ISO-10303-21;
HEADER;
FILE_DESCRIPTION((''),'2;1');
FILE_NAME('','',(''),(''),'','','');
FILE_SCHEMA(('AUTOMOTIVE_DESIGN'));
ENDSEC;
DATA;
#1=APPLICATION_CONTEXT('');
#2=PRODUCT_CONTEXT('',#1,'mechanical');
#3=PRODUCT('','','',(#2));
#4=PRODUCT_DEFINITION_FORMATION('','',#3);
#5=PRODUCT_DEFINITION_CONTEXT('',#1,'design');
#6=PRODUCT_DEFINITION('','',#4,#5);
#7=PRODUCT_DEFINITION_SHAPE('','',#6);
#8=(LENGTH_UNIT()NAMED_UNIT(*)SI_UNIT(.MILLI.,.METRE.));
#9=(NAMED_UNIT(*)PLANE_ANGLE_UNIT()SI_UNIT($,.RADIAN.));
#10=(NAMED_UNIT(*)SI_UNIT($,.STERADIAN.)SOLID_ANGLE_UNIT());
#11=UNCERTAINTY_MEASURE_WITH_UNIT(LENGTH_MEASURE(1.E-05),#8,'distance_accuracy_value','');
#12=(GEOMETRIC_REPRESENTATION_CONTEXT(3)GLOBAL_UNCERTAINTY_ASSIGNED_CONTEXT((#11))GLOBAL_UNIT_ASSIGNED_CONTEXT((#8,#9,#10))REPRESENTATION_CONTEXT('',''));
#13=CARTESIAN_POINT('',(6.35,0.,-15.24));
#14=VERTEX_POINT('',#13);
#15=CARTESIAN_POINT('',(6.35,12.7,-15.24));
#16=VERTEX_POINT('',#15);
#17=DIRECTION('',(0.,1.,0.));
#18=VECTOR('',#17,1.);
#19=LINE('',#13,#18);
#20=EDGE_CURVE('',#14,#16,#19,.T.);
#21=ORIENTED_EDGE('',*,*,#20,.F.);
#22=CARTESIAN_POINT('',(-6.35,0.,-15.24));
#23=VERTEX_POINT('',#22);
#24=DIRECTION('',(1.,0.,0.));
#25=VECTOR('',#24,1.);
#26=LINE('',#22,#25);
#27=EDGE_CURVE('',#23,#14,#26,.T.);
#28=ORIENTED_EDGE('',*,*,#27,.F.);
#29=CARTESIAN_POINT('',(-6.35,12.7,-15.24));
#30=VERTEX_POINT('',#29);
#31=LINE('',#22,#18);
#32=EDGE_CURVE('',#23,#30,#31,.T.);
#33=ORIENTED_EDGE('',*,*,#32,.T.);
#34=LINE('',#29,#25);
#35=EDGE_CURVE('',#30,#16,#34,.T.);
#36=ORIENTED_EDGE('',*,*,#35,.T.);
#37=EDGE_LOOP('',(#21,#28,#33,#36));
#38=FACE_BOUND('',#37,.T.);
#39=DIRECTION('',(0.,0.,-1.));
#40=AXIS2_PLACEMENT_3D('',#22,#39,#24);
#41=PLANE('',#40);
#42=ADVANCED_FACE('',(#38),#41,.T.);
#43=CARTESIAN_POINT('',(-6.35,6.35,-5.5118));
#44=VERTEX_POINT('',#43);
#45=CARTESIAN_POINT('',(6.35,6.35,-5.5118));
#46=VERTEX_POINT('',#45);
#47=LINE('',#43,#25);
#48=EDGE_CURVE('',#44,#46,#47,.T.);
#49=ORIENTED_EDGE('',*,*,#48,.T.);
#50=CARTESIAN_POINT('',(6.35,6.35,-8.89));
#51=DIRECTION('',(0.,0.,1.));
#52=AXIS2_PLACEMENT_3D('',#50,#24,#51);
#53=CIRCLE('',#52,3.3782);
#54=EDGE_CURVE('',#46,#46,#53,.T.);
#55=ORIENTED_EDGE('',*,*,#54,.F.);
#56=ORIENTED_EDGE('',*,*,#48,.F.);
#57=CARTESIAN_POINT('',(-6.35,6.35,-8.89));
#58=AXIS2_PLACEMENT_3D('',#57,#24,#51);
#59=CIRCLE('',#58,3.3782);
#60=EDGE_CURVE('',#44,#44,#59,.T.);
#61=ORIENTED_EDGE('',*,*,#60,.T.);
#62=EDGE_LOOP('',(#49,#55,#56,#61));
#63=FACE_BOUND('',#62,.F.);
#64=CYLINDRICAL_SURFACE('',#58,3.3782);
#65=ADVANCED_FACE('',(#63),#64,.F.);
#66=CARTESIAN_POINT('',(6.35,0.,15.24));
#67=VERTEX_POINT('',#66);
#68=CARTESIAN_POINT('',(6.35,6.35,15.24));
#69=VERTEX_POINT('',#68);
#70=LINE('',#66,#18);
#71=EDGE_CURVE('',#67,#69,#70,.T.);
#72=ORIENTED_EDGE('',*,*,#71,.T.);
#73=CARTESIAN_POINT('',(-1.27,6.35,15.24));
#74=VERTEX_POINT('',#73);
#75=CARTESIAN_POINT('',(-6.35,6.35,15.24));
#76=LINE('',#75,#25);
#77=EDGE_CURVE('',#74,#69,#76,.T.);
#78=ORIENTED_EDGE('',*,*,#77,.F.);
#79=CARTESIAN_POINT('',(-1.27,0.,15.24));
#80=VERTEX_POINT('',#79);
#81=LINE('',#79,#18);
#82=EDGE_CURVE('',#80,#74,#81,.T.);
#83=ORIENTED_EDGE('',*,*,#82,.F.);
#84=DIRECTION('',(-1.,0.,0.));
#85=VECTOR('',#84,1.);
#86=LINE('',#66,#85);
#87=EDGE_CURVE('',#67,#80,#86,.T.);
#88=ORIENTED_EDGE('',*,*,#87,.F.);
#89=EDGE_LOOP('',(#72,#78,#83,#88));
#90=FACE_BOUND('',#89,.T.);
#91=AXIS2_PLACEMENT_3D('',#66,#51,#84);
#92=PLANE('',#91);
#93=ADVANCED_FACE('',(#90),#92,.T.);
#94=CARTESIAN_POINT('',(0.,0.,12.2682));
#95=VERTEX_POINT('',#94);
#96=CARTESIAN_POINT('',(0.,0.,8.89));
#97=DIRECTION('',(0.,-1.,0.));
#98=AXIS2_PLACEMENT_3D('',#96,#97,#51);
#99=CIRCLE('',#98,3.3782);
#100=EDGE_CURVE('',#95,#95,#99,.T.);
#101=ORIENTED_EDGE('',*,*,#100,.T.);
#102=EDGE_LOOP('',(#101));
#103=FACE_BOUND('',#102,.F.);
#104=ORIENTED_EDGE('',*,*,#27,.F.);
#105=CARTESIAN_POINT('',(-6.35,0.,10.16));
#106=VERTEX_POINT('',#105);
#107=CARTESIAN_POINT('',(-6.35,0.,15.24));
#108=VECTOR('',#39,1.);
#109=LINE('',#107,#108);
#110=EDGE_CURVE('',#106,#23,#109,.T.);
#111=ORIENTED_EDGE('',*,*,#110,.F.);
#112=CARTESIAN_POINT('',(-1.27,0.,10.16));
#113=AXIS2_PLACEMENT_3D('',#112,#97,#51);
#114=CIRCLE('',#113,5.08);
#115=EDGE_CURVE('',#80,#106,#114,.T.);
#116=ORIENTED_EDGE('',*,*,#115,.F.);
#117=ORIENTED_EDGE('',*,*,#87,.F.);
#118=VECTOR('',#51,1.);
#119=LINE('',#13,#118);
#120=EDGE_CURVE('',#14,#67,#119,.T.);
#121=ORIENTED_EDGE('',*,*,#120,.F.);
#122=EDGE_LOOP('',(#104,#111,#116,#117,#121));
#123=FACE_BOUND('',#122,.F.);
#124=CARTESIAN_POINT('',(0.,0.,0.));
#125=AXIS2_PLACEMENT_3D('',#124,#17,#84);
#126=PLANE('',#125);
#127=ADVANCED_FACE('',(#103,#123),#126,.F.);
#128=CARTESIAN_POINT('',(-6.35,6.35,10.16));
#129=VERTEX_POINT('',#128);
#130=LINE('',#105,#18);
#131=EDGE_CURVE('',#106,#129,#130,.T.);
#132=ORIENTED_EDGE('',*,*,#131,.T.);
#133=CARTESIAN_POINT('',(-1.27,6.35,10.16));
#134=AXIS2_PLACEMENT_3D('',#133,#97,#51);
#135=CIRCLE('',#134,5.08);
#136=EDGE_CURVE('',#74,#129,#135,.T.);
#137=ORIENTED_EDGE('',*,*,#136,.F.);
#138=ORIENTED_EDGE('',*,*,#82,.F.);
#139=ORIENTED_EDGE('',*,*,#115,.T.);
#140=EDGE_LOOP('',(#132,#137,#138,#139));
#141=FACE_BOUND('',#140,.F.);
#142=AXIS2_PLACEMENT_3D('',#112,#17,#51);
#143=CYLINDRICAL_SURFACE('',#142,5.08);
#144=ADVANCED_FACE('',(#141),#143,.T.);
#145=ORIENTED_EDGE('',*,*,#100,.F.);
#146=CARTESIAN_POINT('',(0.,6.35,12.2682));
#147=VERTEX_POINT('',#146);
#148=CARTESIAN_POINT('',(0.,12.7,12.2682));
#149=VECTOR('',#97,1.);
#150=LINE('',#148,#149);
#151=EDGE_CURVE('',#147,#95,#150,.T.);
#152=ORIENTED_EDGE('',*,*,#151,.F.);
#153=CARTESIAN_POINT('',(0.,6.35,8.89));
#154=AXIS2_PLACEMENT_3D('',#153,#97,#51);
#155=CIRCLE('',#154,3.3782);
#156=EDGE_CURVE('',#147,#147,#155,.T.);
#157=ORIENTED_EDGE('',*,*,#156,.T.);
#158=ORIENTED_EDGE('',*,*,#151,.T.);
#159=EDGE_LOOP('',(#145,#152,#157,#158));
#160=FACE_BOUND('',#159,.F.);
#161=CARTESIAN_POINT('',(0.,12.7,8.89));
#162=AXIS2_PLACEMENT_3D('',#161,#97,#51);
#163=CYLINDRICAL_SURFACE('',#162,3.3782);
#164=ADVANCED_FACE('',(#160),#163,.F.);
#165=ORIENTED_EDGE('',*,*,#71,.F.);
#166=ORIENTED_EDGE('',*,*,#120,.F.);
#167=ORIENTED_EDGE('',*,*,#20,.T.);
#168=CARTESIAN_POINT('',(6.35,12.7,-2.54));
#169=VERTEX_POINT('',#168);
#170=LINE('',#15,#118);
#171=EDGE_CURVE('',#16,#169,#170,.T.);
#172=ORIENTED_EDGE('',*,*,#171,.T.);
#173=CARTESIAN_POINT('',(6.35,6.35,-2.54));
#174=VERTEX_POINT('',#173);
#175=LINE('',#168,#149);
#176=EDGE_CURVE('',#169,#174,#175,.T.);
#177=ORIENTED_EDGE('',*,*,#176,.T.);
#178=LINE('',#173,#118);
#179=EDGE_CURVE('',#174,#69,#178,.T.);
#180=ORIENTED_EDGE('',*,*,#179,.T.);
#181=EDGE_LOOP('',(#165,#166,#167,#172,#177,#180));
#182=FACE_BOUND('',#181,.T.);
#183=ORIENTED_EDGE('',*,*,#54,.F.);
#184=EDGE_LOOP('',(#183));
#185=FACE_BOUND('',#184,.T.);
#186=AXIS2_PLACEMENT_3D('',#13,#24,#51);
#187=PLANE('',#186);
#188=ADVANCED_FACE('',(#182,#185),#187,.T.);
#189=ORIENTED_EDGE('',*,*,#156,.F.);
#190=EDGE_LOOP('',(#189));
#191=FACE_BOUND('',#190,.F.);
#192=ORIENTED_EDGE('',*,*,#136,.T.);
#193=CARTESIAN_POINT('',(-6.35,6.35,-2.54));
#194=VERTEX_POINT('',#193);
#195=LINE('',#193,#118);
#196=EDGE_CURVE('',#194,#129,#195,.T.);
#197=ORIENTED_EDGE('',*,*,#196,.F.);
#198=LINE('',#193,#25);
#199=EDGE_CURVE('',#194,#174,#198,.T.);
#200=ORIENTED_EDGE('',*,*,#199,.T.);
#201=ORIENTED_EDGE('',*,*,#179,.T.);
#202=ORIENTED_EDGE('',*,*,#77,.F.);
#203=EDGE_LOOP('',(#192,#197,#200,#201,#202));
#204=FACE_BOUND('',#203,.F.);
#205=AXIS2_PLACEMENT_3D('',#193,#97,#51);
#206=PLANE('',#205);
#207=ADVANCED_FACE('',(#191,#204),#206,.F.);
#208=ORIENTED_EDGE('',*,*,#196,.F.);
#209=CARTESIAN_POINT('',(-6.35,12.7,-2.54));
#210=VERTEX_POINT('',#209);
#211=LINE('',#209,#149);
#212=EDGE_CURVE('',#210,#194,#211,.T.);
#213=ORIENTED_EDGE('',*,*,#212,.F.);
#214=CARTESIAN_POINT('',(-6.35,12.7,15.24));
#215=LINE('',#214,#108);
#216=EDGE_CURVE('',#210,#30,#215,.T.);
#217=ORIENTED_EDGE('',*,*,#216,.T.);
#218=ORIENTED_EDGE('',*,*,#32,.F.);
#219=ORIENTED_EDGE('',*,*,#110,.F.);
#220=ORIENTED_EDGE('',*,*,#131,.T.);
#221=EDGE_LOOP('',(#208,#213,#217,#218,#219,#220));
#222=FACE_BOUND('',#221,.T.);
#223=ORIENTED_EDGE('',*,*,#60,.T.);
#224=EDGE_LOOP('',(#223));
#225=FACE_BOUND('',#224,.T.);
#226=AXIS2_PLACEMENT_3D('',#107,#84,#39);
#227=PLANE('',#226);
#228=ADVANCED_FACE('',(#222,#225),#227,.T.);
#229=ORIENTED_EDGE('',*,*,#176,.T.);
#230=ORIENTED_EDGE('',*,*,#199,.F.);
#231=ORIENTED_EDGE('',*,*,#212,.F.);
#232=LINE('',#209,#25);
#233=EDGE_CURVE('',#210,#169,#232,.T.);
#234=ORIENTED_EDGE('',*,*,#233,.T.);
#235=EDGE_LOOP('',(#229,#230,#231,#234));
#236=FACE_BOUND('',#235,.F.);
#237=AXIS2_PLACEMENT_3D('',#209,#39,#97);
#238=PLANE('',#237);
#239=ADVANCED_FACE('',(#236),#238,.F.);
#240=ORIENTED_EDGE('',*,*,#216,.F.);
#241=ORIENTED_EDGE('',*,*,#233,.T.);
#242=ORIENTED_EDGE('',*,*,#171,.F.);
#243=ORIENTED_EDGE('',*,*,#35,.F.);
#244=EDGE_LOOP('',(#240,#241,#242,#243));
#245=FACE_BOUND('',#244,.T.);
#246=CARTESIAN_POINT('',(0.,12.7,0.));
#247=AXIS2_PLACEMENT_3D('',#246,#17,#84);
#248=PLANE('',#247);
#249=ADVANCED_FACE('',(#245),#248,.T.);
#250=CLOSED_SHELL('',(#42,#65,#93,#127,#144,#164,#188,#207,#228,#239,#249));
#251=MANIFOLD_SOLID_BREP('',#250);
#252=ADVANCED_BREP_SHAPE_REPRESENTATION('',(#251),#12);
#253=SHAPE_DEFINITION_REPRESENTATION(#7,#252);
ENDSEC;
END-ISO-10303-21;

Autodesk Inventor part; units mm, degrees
ref_plane "YZ Plane" through (0, 0, 0) normal (1, 0, 0) x (0, 1, 0)
ref_plane "XZ Plane" through (0, 0, 0) normal (0, 1, 0) x (-1, 0, 0)
ref_plane "XY Plane" through (0, 0, 0) normal (0, 0, 1) x (1, 0, 0)
sketch "Sketch1" plane through (0, 0, 0) normal (0, 1, 0) x (-1, 0, 0)
  line L0 (-6.35, 15.24) -> (6.35, 15.24)
  line L1 (6.35, 15.24) -> (6.35, -15.24)
  line L2 (6.35, -15.24) -> (-6.35, -15.24)
  line L3 (-6.35, -15.24) -> (-6.35, 15.24)
  line L4 (-6.35, 15.24) -> (6.35, -15.24) construction
  line L5 (6.35, 15.24) -> (-6.35, -15.24) construction
  point P0 (0, 0)
  dimension "d0" = 12.7
  dimension "d1" = 30.48
extrude "Extrusion1" add sketch "Sketch1" along normal blind 12.7
sketch "Sketch2" plane through (0, 12.7, 0) normal (0, 1, 0) x (1, 0, 0)
  line L0 (-6.35, -15.24) -> (6.35, -15.24) projected
  line L1 (0, -15.24) -> (0, -8.89) construction
  point P0 (0, 0)
  dimension "d27" = 6.35
hole "Hole1" at (0, 12.7, 8.89) direction (0, -1, 0) diameter 6.7564 end through all clearance for "Flat Head Machine Screw (82)" size "1/4" standard "Ansi Unified Screw Threads"
sketch "Sketch3" plane through (-6.35, 0, -15.24) normal (-1, 0, 0) x (0, 0, 1)
  line L0 (0, 0) -> (30.48, 0) projected
  line L1 (0, 0) -> (0, 6.35) construction
  line L2 (0, 0) -> (0, 12.7) projected
  line L3 (0, 6.35) -> (6.35, 6.35) construction
  point P0 (15.24, 0)
  dimension "d12" = 6.35
  dimension "d13" = 6.35
  dimension "d14" = 90
hole "Hole2" at (-6.35, 6.35, -8.89) direction (1, 0, 0) diameter 6.7564 end through all clearance for "Flat Head Machine Screw (82)" size "1/4" standard "Ansi Unified Screw Threads"
sketch "Sketch4" plane through (-6.35, 0, -15.24) normal (-1, 0, 0) x (0, 0, 1)
  line L0 (30.48, 0) -> (30.48, 12.7) projected
  line L1 (30.48, 12.7) -> (12.7, 12.7)
  line L2 (12.7, 12.7) -> (12.7, 6.35)
  line L3 (12.7, 6.35) -> (30.48, 6.35)
  line L4 (30.48, 6.35) -> (30.48, 12.7)
  line L5 (0, 0) -> (0, 12.7) projected
  point P0 (15.24, 0)
  dimension "d23" = 6.35
  dimension "d28" = 12.7
extrude "Extrusion2" cut sketch "Sketch4" against normal up to surface (12.7 mm away)
fillet "Fillet2" radius 5.08 1 edges at (-6.35, 3.175, 15.24)
properties part number "mount" material "Aluminum 6061"
